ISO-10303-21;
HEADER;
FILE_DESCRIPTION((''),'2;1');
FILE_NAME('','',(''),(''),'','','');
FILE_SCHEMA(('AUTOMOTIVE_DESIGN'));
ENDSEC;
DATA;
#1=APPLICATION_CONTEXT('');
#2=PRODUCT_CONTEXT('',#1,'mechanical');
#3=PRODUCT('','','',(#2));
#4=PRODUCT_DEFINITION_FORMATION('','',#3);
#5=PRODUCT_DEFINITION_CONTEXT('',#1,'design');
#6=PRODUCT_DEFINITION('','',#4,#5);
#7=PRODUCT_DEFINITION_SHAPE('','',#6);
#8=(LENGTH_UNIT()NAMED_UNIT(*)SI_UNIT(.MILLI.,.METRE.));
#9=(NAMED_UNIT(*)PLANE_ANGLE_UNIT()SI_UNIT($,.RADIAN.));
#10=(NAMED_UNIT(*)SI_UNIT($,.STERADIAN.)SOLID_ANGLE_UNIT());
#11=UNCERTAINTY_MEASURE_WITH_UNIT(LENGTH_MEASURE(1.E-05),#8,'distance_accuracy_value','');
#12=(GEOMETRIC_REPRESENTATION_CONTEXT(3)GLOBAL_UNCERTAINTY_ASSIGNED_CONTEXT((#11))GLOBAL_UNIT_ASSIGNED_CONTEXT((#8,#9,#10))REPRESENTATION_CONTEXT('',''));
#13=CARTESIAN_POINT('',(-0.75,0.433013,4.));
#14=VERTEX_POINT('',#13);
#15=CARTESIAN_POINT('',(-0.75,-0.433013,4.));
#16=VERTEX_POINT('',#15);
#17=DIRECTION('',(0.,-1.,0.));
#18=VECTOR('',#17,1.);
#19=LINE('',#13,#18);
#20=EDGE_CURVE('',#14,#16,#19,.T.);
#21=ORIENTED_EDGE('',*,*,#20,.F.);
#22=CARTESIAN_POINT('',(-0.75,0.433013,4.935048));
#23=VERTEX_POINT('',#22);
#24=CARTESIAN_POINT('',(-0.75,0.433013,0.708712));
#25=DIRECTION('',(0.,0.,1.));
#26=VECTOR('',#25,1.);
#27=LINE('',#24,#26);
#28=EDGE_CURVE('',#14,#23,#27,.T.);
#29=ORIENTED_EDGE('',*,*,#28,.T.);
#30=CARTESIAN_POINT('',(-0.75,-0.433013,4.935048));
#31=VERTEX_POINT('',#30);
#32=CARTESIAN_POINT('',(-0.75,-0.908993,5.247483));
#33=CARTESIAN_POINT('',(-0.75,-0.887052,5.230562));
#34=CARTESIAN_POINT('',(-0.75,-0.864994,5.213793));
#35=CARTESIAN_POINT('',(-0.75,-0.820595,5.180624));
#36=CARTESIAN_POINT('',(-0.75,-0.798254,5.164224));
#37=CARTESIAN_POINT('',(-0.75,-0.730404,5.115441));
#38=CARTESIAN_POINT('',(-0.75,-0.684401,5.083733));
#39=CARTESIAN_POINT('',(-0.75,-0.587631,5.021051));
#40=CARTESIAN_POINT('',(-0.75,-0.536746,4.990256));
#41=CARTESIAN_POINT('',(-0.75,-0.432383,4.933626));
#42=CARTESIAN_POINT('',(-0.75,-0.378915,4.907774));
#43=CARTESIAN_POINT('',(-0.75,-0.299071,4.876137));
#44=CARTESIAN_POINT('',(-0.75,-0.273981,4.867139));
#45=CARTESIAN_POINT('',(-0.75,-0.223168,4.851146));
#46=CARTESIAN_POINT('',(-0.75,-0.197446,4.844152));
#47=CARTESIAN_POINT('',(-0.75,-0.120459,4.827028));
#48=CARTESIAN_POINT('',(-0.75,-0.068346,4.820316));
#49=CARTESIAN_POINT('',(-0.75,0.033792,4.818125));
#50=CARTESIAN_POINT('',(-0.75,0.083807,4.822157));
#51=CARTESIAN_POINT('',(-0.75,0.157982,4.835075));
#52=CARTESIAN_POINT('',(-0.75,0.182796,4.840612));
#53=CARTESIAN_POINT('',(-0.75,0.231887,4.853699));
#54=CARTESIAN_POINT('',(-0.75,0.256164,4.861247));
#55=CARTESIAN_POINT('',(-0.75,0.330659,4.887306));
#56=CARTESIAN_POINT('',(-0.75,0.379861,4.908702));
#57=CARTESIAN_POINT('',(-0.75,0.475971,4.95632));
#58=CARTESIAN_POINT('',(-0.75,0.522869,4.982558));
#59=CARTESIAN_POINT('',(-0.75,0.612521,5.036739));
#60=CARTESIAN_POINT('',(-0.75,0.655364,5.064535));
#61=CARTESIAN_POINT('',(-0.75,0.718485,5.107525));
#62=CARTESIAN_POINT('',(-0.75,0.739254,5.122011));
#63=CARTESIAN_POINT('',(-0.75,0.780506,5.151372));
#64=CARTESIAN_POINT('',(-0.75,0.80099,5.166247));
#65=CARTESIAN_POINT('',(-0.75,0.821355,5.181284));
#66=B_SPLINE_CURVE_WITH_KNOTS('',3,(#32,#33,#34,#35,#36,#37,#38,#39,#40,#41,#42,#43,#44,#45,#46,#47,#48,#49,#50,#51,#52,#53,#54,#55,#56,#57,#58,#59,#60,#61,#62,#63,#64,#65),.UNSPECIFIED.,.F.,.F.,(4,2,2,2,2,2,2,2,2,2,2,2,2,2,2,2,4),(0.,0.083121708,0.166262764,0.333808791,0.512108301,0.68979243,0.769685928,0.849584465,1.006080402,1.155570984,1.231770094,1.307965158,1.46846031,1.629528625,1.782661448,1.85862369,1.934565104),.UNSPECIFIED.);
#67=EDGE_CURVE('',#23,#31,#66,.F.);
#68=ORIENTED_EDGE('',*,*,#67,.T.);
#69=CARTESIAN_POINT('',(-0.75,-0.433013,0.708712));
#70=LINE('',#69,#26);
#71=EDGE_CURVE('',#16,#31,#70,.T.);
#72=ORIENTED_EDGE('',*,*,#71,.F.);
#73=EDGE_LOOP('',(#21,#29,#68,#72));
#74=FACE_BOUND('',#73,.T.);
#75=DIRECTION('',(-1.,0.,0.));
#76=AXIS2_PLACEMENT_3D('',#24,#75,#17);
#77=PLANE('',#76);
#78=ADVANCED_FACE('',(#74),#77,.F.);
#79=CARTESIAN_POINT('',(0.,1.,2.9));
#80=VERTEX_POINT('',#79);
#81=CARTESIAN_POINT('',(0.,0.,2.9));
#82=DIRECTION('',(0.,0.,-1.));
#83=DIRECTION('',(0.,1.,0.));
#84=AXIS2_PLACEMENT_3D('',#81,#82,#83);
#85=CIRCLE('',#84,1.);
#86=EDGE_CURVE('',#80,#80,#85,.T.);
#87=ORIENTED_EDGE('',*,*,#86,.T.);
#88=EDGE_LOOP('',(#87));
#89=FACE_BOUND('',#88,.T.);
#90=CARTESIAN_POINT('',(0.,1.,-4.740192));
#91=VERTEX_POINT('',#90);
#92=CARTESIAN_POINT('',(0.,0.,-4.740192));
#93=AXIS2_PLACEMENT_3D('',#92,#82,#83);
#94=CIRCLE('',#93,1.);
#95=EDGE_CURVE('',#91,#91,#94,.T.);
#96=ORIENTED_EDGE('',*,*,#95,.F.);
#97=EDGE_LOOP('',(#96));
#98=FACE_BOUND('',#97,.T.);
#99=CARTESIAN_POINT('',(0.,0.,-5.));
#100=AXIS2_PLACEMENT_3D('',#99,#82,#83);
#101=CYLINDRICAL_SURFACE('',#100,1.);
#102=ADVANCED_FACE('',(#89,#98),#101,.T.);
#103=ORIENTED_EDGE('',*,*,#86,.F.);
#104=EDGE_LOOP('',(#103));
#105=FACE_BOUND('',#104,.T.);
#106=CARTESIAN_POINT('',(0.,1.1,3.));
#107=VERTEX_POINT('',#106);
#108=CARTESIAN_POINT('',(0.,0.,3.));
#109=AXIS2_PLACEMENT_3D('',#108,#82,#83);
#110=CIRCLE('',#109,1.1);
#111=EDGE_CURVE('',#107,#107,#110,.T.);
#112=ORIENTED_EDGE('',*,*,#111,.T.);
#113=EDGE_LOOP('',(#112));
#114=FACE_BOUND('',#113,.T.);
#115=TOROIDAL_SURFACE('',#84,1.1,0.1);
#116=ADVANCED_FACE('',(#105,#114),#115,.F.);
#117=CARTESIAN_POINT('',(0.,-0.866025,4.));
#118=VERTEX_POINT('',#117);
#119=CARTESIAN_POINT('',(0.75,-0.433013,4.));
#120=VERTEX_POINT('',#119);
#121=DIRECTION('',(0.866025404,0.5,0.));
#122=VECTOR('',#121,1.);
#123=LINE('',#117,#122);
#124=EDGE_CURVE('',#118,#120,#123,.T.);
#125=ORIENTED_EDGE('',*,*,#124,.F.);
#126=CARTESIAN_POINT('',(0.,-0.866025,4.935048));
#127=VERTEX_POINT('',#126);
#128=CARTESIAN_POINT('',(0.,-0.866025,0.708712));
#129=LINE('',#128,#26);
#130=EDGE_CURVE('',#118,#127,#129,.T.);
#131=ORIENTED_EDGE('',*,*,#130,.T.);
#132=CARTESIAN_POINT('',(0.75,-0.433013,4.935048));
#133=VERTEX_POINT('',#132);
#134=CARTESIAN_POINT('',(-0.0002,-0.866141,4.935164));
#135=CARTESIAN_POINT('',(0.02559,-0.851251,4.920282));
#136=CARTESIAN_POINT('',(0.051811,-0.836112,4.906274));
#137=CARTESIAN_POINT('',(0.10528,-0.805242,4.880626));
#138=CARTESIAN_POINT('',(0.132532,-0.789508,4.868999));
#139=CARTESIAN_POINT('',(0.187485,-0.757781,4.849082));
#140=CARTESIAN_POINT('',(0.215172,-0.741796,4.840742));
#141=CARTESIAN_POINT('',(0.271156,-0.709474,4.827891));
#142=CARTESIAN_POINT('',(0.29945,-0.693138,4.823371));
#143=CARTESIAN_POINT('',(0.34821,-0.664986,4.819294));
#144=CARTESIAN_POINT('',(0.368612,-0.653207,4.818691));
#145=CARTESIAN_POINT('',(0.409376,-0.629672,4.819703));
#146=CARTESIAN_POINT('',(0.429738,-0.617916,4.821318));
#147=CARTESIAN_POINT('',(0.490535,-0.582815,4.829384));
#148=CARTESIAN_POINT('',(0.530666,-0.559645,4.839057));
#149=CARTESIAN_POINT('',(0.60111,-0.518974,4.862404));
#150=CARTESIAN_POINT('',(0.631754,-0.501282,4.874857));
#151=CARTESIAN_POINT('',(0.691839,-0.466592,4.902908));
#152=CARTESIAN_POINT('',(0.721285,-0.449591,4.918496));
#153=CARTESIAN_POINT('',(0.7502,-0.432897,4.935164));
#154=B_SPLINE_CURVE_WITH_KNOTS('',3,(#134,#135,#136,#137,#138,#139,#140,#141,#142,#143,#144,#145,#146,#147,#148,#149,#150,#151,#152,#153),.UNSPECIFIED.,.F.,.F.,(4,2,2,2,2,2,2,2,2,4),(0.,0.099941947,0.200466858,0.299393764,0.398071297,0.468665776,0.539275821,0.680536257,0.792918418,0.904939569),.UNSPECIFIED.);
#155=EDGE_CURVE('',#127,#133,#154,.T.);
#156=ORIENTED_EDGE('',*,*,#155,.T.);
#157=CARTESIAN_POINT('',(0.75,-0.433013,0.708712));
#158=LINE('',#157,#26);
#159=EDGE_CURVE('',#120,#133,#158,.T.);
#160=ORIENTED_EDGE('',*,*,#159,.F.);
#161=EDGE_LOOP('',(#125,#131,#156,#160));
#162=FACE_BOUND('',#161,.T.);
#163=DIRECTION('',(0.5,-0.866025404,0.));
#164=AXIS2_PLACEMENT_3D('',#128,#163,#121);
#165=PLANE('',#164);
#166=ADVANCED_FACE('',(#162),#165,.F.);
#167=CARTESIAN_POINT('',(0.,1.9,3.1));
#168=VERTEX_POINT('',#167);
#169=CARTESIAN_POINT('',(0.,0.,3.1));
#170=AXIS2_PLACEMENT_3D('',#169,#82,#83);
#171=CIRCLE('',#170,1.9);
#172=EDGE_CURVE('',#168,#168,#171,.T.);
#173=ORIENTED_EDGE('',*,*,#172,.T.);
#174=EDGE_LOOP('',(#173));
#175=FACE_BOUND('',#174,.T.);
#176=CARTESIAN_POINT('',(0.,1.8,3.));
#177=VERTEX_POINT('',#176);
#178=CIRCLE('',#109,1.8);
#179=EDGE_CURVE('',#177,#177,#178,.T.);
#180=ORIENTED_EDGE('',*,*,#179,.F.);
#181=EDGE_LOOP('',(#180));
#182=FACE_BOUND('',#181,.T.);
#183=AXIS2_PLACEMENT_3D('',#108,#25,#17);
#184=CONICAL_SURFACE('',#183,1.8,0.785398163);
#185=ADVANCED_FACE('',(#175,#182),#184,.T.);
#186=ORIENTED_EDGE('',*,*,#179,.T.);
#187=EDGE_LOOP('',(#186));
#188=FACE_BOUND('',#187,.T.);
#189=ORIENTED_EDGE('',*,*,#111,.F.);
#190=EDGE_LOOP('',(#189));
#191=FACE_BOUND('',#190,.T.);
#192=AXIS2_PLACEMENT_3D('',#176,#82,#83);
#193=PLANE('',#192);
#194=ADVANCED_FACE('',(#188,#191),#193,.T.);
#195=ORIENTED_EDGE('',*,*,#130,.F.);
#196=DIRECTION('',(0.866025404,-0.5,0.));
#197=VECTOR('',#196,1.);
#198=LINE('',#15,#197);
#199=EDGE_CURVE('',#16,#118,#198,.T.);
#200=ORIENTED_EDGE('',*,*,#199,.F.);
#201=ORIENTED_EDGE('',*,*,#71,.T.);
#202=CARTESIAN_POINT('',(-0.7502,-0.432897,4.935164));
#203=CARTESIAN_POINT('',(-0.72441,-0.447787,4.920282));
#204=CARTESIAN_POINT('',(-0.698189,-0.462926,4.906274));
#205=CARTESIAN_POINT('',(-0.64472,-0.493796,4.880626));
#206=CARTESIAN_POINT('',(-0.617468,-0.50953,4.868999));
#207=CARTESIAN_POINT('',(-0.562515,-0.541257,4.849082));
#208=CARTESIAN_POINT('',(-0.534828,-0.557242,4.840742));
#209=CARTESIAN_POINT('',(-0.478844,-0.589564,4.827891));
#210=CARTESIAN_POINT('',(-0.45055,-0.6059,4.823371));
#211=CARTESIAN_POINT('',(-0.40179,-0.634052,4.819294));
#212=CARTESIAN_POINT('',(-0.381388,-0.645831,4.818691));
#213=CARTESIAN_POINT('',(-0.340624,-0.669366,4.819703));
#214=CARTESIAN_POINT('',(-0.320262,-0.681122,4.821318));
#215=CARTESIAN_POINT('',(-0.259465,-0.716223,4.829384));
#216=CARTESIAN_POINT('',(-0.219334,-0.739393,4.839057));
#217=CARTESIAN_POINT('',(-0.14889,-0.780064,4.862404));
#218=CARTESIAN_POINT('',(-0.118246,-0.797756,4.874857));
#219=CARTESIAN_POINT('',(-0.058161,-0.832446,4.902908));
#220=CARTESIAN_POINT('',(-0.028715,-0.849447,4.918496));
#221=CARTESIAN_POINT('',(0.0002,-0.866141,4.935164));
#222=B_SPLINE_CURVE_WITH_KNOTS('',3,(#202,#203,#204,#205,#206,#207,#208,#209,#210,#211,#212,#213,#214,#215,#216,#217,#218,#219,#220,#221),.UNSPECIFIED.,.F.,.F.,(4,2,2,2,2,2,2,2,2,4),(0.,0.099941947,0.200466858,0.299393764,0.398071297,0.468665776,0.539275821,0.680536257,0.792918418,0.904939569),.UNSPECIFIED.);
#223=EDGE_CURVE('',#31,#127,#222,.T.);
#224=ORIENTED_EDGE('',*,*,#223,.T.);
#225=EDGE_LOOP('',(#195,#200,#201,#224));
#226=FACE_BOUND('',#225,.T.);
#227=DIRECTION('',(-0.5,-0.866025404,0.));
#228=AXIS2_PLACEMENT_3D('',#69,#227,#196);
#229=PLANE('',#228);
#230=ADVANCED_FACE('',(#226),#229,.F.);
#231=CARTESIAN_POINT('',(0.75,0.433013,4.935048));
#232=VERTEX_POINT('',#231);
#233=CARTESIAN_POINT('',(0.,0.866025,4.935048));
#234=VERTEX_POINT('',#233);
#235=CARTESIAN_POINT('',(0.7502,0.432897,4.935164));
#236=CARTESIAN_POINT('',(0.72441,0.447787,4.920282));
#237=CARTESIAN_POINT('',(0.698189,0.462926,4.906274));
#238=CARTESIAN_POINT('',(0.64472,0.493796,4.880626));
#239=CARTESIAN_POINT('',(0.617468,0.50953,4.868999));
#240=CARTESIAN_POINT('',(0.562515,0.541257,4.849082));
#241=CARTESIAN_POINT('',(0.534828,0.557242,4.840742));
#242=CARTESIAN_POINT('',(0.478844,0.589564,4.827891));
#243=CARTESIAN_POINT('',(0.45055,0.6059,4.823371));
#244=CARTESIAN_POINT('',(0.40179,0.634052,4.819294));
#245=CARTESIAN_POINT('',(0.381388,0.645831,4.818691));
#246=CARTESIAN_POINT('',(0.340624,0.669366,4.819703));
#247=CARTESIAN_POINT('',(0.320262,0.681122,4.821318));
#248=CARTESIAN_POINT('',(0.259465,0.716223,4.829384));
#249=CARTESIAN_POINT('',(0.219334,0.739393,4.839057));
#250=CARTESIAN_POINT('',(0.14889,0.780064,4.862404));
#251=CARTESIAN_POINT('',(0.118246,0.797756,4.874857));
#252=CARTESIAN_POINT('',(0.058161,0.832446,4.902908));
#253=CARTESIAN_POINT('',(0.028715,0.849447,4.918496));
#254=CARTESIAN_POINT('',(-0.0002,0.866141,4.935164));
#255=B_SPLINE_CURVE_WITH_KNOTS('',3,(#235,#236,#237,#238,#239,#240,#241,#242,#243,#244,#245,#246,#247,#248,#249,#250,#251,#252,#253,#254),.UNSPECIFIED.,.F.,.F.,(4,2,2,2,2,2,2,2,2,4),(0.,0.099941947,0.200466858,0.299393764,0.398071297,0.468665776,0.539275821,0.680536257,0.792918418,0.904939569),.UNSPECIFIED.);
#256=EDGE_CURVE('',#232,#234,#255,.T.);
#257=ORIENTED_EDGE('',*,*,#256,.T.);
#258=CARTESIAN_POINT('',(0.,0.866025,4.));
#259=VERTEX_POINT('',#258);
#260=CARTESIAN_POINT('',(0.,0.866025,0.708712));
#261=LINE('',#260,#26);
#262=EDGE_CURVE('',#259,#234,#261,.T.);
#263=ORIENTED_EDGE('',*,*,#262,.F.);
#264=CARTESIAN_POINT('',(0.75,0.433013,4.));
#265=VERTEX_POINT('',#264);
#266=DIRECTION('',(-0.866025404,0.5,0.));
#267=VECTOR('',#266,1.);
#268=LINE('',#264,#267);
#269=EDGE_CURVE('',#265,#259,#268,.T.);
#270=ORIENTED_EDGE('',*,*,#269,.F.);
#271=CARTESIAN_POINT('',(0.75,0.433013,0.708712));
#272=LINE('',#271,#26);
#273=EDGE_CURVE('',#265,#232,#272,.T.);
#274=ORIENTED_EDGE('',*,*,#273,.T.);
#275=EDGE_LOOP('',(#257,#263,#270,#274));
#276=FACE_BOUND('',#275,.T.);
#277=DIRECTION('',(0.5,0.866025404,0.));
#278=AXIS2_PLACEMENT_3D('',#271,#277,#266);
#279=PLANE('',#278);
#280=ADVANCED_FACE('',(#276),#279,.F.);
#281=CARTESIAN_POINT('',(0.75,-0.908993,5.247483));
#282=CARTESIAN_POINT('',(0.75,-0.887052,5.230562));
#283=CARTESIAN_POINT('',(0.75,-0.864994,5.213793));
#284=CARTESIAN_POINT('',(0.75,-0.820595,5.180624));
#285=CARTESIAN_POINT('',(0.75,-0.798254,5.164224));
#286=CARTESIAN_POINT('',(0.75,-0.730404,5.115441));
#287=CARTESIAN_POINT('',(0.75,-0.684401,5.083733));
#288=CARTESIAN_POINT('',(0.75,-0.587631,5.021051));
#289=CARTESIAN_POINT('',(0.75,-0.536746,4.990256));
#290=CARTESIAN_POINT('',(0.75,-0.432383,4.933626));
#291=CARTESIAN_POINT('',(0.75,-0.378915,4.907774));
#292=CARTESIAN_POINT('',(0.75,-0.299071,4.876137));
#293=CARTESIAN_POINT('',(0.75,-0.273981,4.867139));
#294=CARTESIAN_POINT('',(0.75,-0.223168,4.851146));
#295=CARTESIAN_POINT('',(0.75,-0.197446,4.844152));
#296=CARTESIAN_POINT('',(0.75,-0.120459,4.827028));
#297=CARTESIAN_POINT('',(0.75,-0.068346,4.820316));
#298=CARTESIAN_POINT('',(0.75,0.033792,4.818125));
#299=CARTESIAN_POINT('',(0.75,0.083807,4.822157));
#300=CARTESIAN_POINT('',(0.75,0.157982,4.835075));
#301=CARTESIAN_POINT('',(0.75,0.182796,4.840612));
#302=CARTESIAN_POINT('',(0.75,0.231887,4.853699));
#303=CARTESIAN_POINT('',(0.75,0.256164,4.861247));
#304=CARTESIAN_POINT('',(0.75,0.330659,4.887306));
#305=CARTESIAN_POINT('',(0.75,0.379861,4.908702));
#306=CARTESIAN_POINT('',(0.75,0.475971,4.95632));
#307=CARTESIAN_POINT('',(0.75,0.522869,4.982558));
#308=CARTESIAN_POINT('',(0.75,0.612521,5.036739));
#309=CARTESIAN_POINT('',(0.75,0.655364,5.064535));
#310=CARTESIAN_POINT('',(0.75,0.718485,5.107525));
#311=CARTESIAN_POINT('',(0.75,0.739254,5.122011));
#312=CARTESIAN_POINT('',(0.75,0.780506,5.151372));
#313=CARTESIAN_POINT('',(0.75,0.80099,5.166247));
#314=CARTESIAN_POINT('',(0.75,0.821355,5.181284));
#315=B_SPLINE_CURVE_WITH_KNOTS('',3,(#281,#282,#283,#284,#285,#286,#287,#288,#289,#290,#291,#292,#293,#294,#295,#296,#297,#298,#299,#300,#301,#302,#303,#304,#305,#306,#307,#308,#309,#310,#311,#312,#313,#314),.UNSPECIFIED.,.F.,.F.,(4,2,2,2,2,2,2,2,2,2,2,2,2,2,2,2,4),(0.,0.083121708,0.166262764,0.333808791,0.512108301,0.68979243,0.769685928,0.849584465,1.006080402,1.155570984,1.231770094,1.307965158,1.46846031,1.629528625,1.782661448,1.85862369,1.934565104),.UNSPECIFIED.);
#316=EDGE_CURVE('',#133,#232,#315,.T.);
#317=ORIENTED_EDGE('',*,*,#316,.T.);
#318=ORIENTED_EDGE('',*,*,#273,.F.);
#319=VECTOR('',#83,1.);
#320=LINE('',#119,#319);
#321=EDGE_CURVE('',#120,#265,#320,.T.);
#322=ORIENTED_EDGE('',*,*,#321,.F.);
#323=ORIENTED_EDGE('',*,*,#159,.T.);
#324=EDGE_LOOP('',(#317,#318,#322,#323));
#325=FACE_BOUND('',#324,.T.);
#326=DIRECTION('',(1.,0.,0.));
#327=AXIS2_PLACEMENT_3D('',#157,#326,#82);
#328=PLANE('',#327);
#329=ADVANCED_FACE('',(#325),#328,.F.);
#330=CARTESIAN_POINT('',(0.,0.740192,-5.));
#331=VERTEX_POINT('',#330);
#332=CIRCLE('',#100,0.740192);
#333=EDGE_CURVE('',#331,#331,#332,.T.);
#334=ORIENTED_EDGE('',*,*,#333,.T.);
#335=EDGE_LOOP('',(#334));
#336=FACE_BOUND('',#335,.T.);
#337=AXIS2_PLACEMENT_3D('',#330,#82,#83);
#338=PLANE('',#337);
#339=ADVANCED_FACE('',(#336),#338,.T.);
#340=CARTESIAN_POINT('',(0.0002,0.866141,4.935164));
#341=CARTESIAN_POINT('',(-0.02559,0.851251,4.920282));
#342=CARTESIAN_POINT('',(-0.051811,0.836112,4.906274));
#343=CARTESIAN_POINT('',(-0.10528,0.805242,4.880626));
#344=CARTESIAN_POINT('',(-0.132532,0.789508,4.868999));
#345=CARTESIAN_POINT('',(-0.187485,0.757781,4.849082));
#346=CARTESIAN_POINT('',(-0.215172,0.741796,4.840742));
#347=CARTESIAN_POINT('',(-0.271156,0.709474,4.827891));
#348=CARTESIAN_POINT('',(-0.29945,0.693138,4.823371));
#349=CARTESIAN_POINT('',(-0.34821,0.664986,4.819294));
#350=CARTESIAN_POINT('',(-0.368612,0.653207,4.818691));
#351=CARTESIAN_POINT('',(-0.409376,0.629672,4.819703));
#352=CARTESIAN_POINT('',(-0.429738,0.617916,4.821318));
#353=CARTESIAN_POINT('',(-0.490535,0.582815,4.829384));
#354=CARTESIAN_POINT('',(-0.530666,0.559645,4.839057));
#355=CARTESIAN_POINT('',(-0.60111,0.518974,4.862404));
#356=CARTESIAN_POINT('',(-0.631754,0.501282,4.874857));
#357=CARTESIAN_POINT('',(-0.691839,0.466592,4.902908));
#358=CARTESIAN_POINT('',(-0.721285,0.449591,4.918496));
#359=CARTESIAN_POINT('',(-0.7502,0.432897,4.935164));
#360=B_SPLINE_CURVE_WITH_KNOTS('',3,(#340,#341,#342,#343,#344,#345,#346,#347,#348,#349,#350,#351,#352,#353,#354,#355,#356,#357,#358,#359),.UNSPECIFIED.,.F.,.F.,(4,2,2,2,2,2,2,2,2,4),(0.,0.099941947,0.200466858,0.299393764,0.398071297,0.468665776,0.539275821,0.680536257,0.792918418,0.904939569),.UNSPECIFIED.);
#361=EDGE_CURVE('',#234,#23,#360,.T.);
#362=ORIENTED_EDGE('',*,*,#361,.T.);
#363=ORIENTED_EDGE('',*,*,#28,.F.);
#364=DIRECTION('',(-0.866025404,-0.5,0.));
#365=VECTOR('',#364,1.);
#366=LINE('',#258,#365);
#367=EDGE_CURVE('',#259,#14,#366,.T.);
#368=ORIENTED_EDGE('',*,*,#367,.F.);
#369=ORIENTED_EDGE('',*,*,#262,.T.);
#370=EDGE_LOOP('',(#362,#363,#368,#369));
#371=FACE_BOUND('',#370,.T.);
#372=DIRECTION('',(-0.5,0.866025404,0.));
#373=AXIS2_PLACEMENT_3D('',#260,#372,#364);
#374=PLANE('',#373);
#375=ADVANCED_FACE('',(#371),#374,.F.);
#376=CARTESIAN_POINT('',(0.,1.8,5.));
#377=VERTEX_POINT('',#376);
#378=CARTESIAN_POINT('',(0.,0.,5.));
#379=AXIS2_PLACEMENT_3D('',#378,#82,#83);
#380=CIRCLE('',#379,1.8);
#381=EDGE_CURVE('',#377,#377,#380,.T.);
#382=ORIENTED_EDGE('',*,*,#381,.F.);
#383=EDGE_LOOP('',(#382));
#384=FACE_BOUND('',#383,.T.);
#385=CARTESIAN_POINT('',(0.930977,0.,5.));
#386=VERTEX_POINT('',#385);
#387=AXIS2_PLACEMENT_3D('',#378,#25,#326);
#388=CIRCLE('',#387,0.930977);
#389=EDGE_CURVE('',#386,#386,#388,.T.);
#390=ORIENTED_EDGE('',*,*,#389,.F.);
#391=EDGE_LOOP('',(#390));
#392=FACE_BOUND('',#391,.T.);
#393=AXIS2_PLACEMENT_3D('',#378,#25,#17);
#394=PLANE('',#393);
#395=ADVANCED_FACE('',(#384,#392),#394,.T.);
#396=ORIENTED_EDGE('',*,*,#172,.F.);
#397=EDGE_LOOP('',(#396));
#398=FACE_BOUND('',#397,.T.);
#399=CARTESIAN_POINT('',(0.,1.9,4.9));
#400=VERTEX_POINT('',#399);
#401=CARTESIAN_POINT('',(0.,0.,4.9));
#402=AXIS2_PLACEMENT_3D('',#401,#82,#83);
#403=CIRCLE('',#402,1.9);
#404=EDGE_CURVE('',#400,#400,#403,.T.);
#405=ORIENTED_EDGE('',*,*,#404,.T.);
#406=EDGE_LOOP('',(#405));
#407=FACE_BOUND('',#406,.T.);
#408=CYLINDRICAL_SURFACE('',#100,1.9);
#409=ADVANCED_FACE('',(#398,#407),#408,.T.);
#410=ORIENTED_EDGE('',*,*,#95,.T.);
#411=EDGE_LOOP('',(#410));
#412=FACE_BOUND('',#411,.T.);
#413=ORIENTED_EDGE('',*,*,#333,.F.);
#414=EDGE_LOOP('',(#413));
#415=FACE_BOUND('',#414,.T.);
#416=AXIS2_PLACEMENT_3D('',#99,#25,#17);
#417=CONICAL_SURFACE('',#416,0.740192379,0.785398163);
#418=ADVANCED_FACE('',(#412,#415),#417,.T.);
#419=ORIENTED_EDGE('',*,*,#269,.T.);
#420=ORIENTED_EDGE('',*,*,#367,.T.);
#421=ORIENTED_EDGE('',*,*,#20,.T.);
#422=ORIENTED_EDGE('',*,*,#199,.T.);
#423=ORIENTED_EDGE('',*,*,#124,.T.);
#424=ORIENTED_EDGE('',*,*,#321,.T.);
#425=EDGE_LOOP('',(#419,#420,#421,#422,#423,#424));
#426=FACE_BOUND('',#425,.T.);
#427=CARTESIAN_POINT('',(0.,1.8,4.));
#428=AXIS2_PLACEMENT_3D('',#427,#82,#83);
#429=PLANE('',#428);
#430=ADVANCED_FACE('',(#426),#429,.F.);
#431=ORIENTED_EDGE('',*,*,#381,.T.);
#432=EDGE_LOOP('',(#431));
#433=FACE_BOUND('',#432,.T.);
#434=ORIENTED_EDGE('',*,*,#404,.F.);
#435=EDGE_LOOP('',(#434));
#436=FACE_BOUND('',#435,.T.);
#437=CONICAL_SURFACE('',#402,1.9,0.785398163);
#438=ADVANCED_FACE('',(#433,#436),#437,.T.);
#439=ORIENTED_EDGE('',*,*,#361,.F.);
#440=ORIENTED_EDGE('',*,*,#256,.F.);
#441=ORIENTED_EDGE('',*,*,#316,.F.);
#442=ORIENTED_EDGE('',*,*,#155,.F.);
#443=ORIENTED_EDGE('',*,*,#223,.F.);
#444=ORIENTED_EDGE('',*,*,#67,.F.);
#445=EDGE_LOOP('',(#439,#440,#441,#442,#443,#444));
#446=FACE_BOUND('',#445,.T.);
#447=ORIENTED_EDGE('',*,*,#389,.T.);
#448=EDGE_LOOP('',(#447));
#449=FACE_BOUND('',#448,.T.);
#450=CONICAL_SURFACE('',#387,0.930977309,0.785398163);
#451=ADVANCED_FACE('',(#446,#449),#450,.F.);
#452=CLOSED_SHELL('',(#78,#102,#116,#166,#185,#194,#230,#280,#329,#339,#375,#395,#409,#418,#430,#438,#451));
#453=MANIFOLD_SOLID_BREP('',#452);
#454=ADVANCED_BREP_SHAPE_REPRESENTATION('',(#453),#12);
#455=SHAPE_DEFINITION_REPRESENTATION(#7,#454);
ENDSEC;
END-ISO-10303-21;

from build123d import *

# Parameters (mm, degrees)
CUT_EXTRUDE1_DEPTH = 1
SKETCH4_R          = 0.930977309
CUT_EXTRUDE2_DEPTH = 1
CUT_EXTRUDE2_DRAFT = -45


with BuildPart() as part:
    # Sketch2 → Revolve1 (revolve)
    with BuildSketch(Plane(origin=(0, 0, 0), x_dir=(0, 0, -1), z_dir=(1, 0, 0))):
        with BuildLine():
            Line((-5, 0), (-5, 1.8))
            Line((-5, 1.8), (-4.9, 1.9))
            Line((-4.9, 1.9), (-3.1, 1.9))
            Line((-3.1, 1.9), (-3, 1.8))
            Line((-3, 1.8), (-3, 1.1))
            ThreePointArc((-3, 1.1), (-2.970710678, 1.029289322), (-2.9, 1))
            Line((-2.9, 1), (4.740192379, 1))
            Line((4.740192379, 1), (5, 0.740192379))
            Line((5, 0.740192379), (5, 0))
            Line((5, 0), (-5, 0))
        make_face()
    revolve(axis=Axis((0, 0, -5), (0, 0, 1)))

    # Sketch3 → Cut-Extrude1 (cut)
    with BuildSketch(Plane.XY.offset(5)):
        Polygon((0.75, -0.433012702), (0.75, 0.433012702), (0, 0.866025404), (-0.75, 0.433012702), (-0.75, -0.433012702), (0, -0.866025404), align=None)
    extrude(amount=-CUT_EXTRUDE1_DEPTH, mode=Mode.SUBTRACT)


with BuildPart() as cut_extrude2_tool:
    # Sketch4 → Cut-Extrude2 (with draft: the straight prism first)
    with BuildSketch(Plane.XY.offset(5)):
        Circle(SKETCH4_R)
    extrude(amount=-CUT_EXTRUDE2_DEPTH)
    # Cut-Extrude2: the draft: its side faces are tilted about the plane it starts from
    cut_extrude2_sides = [cut_extrude2_tool.faces().sort_by_distance(p)[0] for p in [
        (-0.930977309, 0, 4.5),
    ]]
    draft(cut_extrude2_sides, Plane.XY.offset(5), CUT_EXTRUDE2_DRAFT)


with BuildPart() as part_1:
    add(part.part)

    # Cut-Extrude2: cut by cut_extrude2_tool
    add(cut_extrude2_tool.part, mode=Mode.SUBTRACT)


solid = part_1.part
